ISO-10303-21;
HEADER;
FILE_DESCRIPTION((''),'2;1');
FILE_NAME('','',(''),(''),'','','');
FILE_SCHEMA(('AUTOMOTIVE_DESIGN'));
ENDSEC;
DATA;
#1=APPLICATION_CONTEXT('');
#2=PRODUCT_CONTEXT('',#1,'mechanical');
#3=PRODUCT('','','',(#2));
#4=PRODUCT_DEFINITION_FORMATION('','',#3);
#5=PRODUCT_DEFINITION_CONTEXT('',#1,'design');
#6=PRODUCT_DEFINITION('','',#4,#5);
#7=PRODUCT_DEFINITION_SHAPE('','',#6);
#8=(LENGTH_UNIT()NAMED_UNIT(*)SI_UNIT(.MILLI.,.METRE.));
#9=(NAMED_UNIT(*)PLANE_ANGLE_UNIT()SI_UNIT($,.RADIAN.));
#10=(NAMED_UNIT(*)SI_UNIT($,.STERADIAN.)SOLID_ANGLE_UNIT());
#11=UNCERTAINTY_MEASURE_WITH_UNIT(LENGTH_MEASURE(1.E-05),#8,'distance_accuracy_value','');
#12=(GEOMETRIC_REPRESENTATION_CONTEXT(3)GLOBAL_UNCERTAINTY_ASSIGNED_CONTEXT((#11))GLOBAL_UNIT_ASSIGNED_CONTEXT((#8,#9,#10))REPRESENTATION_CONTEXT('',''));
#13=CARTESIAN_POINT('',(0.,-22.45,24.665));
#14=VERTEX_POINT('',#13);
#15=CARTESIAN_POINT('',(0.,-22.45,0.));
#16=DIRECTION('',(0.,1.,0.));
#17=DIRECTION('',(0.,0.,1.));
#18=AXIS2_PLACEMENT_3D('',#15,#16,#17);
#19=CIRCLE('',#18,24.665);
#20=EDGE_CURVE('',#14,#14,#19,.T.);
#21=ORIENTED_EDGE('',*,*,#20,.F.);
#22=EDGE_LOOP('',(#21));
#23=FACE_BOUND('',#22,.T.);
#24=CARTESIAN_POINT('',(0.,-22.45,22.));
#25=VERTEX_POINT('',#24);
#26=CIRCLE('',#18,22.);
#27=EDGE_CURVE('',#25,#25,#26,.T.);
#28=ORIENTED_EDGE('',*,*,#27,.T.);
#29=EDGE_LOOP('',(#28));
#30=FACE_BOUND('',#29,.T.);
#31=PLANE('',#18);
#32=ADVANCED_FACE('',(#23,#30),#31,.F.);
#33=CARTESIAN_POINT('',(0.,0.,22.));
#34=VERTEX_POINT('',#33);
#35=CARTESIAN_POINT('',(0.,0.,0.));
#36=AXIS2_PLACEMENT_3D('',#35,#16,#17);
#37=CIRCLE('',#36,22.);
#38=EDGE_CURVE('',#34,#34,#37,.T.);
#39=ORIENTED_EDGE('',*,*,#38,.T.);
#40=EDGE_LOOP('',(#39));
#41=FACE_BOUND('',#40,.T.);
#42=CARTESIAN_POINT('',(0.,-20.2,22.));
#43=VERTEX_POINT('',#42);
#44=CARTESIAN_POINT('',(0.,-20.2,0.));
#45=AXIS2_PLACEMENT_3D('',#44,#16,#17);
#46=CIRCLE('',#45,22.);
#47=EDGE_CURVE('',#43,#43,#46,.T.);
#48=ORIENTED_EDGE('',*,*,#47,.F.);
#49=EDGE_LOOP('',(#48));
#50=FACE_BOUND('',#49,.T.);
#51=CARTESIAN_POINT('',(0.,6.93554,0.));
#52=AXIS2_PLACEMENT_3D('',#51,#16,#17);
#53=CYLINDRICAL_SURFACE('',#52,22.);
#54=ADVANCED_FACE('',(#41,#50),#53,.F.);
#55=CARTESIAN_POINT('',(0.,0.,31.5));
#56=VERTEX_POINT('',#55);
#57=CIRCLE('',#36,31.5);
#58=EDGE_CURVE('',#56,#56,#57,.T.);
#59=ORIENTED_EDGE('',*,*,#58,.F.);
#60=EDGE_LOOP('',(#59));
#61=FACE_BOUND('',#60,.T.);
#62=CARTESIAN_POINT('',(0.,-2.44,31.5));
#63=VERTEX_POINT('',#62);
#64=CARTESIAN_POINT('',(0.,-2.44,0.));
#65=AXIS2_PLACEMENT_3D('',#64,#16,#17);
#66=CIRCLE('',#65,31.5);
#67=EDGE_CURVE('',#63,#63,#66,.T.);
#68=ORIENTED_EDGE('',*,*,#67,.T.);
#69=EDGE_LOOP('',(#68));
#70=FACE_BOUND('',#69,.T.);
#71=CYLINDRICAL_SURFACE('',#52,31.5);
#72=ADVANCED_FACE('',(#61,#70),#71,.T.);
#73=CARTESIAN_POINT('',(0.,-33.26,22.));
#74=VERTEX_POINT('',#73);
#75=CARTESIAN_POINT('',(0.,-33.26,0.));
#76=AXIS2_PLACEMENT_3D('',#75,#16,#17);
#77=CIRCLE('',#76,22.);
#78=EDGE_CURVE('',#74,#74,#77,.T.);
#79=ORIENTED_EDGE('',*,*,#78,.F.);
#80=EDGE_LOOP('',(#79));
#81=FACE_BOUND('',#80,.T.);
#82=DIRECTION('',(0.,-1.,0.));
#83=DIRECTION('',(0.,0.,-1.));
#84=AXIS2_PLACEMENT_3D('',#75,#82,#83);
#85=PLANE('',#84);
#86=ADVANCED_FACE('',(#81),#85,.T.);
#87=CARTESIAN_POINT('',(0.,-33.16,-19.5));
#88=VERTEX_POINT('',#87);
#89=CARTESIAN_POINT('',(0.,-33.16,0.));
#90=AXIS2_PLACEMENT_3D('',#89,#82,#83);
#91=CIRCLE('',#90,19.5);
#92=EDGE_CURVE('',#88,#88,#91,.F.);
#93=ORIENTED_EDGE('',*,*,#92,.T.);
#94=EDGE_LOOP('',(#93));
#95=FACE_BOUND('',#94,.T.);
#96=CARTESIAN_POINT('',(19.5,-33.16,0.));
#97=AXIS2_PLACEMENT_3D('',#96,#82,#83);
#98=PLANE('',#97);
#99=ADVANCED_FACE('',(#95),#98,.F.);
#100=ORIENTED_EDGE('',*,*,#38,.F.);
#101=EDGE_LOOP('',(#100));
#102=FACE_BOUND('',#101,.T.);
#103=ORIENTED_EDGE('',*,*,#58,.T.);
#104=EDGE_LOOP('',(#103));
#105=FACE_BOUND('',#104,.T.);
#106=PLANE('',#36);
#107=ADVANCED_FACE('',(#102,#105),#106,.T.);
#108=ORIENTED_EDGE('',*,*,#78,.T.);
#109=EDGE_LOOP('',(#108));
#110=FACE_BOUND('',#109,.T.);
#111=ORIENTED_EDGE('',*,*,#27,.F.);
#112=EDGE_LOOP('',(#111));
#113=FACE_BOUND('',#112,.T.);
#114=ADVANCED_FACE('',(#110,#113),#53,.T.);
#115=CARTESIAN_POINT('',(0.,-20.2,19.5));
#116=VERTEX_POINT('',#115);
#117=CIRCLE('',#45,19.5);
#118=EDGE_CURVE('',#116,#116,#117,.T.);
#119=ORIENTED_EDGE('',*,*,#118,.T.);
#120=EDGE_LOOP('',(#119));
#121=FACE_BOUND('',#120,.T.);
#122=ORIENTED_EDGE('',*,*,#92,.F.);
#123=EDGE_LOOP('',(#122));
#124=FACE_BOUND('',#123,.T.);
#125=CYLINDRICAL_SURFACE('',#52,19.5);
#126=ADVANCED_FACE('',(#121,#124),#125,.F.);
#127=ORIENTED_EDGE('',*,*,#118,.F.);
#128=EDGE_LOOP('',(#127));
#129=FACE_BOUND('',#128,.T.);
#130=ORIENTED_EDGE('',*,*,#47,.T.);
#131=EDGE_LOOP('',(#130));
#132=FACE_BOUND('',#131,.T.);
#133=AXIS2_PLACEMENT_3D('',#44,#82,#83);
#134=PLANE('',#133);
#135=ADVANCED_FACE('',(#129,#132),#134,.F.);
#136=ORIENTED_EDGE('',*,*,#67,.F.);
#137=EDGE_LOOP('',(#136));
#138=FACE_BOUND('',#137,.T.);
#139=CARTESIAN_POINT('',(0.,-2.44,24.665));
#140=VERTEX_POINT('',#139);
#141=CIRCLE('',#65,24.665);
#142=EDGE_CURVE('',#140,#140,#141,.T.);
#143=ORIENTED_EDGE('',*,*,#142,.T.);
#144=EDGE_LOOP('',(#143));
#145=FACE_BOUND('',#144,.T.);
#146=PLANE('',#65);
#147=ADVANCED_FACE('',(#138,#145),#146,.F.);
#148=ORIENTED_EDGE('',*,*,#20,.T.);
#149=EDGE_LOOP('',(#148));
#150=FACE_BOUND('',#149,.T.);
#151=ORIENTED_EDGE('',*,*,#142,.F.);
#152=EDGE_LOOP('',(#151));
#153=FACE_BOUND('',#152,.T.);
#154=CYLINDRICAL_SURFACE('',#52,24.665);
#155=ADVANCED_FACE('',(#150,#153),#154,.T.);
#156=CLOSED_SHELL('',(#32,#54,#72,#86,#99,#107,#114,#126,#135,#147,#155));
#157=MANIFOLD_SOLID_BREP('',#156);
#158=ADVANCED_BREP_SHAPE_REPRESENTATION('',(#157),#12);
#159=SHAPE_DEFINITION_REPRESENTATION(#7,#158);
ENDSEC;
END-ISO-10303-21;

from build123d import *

# Parameters (mm, degrees)
SKETCH_2_W   = 9.5
SKETCH_2_H   = 2.44
SKETCH_2_W_2 = 19.5
SKETCH_2_H_2 = 0.1


with BuildPart() as part:
    # 草图2 → 旋转1 (revolve)
    with BuildSketch(Plane.XY):
        with Locations((26.75, -1.22)):
            Rectangle(SKETCH_2_W, SKETCH_2_H)
        Polygon((24.665, -2.44), (22, -2.44), (22, -20.2), (22, -22.45), (24.665, -22.45), align=None)
        Polygon((22, -22.45), (22, -20.2), (19.5, -20.2), (19.5, -33.16), (19.5, -33.26), (22, -33.26), align=None)
        with Locations((9.75, -33.21)):
            Rectangle(SKETCH_2_W_2, SKETCH_2_H_2)
    revolve(axis=Axis((0, 6.935540238, 0), (0, -1, 0)))


solid = part.part
